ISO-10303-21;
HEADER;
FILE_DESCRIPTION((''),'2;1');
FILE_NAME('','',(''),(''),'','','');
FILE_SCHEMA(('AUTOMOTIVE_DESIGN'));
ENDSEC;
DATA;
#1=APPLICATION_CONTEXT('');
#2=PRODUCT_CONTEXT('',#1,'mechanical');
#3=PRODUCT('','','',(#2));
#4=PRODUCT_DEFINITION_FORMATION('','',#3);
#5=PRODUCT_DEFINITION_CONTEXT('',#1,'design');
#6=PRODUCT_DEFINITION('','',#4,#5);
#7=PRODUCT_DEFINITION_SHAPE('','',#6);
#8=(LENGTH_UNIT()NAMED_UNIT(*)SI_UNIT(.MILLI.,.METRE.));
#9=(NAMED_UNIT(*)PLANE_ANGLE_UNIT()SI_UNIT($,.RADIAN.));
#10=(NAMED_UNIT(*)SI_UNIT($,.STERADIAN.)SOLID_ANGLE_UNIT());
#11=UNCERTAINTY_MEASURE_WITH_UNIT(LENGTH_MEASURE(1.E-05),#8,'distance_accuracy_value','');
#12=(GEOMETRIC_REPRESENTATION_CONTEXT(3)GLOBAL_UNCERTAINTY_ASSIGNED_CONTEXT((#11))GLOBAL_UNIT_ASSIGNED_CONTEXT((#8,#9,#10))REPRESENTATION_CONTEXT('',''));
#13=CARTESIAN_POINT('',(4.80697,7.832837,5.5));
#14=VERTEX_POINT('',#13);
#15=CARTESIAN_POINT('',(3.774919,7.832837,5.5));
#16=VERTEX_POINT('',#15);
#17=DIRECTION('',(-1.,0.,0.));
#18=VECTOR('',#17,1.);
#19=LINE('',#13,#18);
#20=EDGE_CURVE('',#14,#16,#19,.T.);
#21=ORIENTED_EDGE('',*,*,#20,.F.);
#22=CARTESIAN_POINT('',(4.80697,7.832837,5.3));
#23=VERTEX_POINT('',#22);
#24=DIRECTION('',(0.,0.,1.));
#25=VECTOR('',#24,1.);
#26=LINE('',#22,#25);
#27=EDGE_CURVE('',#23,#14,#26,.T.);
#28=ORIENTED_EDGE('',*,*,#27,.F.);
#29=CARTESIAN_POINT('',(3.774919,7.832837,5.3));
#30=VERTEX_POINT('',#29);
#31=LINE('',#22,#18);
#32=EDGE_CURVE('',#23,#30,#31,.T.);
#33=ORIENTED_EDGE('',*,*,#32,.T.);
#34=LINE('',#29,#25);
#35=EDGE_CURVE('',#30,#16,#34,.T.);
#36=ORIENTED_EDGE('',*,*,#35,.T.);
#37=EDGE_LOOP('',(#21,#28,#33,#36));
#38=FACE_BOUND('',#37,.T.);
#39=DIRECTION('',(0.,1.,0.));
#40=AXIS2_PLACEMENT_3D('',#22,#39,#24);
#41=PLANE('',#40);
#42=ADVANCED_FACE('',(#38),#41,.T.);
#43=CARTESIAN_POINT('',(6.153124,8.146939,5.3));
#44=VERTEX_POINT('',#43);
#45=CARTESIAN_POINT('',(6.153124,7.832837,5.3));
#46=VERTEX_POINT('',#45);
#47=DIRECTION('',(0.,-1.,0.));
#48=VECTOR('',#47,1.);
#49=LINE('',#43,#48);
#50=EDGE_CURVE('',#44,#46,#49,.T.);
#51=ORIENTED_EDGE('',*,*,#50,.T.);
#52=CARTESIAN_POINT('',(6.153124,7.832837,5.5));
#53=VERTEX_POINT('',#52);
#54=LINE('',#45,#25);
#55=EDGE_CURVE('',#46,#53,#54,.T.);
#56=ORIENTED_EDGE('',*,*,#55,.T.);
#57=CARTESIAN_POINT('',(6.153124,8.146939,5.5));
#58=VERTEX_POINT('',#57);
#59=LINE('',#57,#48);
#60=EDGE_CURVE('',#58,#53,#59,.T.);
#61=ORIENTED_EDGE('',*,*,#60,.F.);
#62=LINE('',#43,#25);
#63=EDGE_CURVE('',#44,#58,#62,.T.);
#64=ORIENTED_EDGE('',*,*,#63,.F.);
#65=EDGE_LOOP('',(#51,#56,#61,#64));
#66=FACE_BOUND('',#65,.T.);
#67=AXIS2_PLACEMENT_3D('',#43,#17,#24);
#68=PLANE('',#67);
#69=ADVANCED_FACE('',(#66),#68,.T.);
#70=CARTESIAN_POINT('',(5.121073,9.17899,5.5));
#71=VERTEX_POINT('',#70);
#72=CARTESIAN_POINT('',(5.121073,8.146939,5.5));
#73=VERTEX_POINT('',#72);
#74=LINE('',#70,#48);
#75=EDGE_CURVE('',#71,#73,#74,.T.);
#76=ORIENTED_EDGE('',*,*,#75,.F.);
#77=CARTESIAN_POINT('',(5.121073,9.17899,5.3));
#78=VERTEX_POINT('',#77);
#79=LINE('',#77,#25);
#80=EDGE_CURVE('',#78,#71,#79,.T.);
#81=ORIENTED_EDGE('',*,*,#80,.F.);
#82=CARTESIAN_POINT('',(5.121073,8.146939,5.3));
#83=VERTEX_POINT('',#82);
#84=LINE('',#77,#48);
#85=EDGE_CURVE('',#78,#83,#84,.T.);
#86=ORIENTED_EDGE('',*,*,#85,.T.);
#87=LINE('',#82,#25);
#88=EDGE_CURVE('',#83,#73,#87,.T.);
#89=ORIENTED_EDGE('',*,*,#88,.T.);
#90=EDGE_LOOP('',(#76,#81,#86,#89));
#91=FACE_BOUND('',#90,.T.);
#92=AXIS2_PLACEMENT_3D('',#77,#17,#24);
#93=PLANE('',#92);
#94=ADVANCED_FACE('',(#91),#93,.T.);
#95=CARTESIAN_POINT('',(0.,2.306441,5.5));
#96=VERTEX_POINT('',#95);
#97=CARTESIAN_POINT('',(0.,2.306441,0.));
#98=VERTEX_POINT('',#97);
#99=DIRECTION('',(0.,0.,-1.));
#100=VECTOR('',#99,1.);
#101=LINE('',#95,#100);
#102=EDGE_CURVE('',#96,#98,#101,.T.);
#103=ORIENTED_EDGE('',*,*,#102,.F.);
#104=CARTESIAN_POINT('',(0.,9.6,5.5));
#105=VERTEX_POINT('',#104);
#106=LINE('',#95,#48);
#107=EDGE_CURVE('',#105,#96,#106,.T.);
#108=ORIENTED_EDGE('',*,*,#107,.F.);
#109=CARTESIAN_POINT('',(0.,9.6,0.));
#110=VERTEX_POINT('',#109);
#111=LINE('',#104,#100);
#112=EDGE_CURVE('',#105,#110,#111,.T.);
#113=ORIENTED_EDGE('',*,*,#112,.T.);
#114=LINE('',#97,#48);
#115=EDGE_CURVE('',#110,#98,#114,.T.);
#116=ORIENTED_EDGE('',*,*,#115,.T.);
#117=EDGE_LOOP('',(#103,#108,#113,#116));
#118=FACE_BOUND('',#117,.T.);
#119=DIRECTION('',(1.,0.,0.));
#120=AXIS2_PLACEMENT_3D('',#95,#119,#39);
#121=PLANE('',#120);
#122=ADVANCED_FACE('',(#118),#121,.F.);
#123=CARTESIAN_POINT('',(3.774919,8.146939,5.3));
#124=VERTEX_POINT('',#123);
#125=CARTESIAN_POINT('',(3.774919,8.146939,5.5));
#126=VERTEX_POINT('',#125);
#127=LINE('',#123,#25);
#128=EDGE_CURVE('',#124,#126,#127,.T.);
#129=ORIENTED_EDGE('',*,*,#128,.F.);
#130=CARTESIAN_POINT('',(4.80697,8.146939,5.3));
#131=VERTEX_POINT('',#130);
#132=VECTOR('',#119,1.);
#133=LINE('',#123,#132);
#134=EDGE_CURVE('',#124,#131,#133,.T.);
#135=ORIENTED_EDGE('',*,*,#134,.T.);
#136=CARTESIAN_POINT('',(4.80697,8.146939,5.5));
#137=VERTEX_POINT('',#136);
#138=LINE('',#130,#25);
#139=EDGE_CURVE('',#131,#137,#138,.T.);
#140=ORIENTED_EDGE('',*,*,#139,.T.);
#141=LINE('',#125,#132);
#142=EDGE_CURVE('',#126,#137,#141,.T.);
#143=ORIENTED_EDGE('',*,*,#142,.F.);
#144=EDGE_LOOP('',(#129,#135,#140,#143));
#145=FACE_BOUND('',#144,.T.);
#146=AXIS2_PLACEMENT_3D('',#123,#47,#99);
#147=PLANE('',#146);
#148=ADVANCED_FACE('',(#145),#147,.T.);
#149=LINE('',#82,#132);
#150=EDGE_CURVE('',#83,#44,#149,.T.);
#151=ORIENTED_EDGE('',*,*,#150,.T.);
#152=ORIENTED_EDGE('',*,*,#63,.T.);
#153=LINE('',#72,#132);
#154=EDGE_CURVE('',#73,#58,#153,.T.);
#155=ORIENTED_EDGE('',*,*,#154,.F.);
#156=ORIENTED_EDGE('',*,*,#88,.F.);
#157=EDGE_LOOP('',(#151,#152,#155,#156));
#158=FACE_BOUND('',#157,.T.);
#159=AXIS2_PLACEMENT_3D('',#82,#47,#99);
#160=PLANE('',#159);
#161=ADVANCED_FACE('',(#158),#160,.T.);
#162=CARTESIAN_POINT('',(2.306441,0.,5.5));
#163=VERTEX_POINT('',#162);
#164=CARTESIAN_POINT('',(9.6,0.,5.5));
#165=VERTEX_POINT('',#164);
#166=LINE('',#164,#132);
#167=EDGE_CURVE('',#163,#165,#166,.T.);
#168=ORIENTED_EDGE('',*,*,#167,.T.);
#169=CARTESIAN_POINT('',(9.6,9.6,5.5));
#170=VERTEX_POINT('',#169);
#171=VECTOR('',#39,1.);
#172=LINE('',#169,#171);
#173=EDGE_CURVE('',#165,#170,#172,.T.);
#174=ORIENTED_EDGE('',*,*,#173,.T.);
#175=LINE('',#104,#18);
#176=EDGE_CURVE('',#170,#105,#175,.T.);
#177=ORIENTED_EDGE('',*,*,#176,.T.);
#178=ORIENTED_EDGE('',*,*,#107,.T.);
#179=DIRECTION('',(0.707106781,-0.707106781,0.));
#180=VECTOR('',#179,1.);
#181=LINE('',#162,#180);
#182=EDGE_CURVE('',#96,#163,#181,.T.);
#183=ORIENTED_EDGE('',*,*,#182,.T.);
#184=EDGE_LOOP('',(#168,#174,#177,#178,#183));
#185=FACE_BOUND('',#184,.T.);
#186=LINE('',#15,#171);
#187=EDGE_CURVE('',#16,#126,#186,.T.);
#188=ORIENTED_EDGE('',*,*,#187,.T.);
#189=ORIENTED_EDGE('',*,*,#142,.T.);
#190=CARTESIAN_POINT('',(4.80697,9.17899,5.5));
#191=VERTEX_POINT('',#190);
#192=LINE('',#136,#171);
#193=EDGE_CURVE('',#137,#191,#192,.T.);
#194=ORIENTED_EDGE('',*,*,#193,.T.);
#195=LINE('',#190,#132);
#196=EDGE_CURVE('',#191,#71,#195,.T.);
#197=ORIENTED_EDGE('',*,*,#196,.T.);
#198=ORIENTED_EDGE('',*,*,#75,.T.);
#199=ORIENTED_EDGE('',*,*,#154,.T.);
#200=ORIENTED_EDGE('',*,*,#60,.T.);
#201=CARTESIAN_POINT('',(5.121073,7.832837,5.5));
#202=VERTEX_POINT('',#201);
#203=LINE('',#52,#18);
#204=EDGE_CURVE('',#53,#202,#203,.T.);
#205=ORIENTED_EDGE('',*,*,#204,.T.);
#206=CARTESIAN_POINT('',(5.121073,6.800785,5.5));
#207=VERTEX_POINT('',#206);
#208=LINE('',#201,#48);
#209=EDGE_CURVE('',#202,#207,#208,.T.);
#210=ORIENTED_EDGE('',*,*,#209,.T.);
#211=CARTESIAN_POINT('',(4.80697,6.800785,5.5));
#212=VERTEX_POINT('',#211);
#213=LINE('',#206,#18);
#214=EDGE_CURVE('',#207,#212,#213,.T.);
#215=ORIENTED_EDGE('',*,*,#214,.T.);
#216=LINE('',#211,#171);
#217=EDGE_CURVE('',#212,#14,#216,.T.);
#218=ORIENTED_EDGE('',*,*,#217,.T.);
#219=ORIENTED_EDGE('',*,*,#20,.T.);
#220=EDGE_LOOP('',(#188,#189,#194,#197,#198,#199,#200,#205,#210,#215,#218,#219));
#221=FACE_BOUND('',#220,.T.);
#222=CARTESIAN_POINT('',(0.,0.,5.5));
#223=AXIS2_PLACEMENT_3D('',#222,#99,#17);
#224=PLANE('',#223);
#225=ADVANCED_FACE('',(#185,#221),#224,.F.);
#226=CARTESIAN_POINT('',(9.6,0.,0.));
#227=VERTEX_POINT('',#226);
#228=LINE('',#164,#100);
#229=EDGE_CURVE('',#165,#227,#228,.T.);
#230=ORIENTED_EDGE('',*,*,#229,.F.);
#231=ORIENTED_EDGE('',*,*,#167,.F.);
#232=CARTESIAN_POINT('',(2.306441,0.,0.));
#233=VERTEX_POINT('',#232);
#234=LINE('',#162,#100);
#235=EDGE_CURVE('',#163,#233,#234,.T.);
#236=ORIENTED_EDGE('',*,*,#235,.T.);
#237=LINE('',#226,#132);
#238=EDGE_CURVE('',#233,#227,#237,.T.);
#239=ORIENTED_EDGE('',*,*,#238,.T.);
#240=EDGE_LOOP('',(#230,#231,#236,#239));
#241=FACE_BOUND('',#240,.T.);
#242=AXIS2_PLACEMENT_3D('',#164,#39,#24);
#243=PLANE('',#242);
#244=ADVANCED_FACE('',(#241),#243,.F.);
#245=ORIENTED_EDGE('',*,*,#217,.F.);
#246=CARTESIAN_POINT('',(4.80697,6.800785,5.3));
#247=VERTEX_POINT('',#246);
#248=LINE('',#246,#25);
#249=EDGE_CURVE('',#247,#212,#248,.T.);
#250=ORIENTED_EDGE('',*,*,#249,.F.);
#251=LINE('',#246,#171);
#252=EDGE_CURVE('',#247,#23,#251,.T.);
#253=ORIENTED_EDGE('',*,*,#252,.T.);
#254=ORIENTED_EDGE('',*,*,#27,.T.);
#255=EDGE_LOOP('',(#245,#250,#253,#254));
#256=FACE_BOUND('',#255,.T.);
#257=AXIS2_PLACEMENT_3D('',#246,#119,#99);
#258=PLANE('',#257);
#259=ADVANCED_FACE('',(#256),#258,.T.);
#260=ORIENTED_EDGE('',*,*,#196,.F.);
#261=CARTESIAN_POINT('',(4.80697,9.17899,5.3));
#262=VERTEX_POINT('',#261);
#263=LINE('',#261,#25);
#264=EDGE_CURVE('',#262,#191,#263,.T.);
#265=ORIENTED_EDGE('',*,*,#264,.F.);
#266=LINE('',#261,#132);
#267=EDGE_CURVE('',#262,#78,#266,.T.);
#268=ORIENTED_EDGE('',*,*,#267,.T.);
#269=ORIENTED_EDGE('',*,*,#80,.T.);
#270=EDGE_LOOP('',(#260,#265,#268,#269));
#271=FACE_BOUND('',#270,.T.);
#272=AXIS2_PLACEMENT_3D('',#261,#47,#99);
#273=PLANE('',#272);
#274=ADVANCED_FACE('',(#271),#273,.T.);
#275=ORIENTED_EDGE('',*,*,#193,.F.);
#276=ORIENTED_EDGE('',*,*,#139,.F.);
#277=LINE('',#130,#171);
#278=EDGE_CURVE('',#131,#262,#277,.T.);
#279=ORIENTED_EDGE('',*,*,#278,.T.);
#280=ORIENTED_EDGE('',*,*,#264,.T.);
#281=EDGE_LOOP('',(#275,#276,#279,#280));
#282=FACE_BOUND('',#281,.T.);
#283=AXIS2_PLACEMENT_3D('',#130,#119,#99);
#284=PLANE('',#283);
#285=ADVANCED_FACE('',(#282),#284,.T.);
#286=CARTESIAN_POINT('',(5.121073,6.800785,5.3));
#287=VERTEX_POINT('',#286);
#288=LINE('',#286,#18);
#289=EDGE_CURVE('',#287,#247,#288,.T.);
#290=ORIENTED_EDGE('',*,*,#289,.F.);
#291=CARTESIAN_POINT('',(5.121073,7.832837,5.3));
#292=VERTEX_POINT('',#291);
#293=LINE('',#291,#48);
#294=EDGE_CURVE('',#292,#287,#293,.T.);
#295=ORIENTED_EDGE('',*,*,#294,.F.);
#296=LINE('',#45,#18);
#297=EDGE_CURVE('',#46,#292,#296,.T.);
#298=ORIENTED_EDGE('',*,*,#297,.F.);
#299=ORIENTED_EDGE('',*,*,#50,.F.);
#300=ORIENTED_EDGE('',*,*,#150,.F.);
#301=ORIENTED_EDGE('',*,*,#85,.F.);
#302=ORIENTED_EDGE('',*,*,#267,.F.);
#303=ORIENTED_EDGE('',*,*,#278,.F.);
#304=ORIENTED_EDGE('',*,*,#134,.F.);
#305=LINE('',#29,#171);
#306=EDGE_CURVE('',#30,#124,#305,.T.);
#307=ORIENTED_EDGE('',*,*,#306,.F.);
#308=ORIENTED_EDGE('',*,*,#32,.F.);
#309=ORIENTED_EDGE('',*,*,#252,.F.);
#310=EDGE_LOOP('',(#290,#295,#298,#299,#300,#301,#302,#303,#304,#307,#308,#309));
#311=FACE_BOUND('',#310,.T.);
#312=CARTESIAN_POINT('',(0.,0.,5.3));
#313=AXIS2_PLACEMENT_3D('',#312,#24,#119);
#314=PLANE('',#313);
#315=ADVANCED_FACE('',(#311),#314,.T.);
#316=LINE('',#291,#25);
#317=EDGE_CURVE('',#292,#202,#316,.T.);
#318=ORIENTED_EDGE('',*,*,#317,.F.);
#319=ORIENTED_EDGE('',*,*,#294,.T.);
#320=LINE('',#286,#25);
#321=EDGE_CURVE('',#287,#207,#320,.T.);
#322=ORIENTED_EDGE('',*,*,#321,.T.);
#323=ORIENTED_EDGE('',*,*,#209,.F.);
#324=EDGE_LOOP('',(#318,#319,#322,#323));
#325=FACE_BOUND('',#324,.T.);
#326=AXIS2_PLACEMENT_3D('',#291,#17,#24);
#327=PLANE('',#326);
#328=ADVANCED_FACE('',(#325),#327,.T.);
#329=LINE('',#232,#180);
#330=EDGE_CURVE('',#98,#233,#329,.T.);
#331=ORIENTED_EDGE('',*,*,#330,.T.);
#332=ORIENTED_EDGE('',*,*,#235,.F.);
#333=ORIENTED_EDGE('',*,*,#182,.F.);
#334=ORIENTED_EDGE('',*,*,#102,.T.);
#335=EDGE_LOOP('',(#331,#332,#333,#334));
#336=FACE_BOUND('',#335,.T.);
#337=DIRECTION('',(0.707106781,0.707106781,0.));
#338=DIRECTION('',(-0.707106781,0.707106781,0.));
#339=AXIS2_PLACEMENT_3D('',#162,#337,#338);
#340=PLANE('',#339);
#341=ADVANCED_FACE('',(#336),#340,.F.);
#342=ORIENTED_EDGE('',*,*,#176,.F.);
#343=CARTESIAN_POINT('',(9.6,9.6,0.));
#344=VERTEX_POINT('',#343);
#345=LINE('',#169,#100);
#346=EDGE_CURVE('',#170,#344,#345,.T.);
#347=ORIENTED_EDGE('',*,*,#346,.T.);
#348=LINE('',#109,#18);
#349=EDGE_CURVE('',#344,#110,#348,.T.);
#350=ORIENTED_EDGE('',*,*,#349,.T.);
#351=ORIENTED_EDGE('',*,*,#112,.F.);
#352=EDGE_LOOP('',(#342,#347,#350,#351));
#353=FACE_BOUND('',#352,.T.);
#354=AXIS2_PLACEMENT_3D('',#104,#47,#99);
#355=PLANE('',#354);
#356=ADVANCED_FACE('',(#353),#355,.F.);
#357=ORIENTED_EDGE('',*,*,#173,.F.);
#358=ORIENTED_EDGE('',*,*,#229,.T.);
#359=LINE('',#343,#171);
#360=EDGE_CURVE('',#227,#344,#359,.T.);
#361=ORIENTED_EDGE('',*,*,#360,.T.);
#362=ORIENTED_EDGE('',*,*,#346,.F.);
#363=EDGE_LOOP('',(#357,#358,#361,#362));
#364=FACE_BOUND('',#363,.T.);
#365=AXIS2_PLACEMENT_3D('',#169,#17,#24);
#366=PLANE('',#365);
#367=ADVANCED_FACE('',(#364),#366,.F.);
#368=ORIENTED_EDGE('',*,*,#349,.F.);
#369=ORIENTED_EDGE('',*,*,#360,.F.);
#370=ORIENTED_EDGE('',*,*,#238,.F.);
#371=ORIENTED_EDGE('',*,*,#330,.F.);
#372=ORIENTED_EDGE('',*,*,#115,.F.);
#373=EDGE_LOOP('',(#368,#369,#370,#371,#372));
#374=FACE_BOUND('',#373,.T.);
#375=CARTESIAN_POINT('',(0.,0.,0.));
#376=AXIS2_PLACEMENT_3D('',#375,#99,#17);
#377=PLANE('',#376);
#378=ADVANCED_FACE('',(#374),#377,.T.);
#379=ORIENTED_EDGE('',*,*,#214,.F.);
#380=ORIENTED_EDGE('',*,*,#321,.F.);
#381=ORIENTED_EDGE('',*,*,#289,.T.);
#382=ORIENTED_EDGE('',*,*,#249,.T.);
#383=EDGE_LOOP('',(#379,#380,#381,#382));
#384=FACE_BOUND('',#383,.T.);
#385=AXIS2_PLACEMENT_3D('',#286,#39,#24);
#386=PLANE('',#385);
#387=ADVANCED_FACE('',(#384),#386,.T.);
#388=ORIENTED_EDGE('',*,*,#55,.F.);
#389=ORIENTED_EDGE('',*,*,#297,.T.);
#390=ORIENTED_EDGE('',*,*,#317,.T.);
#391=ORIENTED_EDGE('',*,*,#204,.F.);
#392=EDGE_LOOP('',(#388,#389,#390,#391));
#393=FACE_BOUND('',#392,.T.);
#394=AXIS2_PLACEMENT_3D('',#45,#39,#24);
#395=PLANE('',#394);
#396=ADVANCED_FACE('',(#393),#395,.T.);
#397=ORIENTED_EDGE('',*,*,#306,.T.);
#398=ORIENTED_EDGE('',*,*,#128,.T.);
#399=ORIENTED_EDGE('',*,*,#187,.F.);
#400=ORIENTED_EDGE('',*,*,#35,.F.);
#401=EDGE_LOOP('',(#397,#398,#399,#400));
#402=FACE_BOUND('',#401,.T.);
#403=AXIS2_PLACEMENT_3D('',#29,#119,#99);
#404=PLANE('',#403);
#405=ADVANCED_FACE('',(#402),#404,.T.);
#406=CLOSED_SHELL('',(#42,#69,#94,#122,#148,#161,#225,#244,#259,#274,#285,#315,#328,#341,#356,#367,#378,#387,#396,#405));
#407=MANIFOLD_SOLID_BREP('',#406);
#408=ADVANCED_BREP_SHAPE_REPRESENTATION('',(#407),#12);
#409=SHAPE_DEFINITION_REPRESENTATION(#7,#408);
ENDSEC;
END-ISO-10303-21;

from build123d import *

# Parameters (mm, degrees)
BOSS_EXTRU_1_DEPTH      = 5.5
ENL_V_MAT_EXTRU_1_DEPTH = 0.2


with BuildPart() as part:
    # Esquisse3 → Boss.-Extru.1 (new body)
    with BuildSketch(Plane.XY):
        Polygon((0, 9.6), (9.6, 9.6), (9.6, 0), (2.306440558, 0), (0, 2.306440558), align=None)
    extrude(amount=BOSS_EXTRU_1_DEPTH)

    # Esquisse4 → Enlèv. mat.-Extru.1 (cut)
    with BuildSketch(Plane.XY.offset(5.5)):
        Polygon((4.806969946, 8.146939157), (4.806969946, 9.178990439), (5.12107251, 9.178990439), (5.12107251, 8.146939157), (6.153123792, 8.146939157), (6.153123792, 7.832836593), (5.12107251, 7.832836593), (5.12107251, 6.800785311), (4.806969946, 6.800785311), (4.806969946, 7.832836593), (3.774918664, 7.832836593), (3.774918664, 8.146939157), align=None)
    extrude(amount=-ENL_V_MAT_EXTRU_1_DEPTH, mode=Mode.SUBTRACT)


solid = part.part
